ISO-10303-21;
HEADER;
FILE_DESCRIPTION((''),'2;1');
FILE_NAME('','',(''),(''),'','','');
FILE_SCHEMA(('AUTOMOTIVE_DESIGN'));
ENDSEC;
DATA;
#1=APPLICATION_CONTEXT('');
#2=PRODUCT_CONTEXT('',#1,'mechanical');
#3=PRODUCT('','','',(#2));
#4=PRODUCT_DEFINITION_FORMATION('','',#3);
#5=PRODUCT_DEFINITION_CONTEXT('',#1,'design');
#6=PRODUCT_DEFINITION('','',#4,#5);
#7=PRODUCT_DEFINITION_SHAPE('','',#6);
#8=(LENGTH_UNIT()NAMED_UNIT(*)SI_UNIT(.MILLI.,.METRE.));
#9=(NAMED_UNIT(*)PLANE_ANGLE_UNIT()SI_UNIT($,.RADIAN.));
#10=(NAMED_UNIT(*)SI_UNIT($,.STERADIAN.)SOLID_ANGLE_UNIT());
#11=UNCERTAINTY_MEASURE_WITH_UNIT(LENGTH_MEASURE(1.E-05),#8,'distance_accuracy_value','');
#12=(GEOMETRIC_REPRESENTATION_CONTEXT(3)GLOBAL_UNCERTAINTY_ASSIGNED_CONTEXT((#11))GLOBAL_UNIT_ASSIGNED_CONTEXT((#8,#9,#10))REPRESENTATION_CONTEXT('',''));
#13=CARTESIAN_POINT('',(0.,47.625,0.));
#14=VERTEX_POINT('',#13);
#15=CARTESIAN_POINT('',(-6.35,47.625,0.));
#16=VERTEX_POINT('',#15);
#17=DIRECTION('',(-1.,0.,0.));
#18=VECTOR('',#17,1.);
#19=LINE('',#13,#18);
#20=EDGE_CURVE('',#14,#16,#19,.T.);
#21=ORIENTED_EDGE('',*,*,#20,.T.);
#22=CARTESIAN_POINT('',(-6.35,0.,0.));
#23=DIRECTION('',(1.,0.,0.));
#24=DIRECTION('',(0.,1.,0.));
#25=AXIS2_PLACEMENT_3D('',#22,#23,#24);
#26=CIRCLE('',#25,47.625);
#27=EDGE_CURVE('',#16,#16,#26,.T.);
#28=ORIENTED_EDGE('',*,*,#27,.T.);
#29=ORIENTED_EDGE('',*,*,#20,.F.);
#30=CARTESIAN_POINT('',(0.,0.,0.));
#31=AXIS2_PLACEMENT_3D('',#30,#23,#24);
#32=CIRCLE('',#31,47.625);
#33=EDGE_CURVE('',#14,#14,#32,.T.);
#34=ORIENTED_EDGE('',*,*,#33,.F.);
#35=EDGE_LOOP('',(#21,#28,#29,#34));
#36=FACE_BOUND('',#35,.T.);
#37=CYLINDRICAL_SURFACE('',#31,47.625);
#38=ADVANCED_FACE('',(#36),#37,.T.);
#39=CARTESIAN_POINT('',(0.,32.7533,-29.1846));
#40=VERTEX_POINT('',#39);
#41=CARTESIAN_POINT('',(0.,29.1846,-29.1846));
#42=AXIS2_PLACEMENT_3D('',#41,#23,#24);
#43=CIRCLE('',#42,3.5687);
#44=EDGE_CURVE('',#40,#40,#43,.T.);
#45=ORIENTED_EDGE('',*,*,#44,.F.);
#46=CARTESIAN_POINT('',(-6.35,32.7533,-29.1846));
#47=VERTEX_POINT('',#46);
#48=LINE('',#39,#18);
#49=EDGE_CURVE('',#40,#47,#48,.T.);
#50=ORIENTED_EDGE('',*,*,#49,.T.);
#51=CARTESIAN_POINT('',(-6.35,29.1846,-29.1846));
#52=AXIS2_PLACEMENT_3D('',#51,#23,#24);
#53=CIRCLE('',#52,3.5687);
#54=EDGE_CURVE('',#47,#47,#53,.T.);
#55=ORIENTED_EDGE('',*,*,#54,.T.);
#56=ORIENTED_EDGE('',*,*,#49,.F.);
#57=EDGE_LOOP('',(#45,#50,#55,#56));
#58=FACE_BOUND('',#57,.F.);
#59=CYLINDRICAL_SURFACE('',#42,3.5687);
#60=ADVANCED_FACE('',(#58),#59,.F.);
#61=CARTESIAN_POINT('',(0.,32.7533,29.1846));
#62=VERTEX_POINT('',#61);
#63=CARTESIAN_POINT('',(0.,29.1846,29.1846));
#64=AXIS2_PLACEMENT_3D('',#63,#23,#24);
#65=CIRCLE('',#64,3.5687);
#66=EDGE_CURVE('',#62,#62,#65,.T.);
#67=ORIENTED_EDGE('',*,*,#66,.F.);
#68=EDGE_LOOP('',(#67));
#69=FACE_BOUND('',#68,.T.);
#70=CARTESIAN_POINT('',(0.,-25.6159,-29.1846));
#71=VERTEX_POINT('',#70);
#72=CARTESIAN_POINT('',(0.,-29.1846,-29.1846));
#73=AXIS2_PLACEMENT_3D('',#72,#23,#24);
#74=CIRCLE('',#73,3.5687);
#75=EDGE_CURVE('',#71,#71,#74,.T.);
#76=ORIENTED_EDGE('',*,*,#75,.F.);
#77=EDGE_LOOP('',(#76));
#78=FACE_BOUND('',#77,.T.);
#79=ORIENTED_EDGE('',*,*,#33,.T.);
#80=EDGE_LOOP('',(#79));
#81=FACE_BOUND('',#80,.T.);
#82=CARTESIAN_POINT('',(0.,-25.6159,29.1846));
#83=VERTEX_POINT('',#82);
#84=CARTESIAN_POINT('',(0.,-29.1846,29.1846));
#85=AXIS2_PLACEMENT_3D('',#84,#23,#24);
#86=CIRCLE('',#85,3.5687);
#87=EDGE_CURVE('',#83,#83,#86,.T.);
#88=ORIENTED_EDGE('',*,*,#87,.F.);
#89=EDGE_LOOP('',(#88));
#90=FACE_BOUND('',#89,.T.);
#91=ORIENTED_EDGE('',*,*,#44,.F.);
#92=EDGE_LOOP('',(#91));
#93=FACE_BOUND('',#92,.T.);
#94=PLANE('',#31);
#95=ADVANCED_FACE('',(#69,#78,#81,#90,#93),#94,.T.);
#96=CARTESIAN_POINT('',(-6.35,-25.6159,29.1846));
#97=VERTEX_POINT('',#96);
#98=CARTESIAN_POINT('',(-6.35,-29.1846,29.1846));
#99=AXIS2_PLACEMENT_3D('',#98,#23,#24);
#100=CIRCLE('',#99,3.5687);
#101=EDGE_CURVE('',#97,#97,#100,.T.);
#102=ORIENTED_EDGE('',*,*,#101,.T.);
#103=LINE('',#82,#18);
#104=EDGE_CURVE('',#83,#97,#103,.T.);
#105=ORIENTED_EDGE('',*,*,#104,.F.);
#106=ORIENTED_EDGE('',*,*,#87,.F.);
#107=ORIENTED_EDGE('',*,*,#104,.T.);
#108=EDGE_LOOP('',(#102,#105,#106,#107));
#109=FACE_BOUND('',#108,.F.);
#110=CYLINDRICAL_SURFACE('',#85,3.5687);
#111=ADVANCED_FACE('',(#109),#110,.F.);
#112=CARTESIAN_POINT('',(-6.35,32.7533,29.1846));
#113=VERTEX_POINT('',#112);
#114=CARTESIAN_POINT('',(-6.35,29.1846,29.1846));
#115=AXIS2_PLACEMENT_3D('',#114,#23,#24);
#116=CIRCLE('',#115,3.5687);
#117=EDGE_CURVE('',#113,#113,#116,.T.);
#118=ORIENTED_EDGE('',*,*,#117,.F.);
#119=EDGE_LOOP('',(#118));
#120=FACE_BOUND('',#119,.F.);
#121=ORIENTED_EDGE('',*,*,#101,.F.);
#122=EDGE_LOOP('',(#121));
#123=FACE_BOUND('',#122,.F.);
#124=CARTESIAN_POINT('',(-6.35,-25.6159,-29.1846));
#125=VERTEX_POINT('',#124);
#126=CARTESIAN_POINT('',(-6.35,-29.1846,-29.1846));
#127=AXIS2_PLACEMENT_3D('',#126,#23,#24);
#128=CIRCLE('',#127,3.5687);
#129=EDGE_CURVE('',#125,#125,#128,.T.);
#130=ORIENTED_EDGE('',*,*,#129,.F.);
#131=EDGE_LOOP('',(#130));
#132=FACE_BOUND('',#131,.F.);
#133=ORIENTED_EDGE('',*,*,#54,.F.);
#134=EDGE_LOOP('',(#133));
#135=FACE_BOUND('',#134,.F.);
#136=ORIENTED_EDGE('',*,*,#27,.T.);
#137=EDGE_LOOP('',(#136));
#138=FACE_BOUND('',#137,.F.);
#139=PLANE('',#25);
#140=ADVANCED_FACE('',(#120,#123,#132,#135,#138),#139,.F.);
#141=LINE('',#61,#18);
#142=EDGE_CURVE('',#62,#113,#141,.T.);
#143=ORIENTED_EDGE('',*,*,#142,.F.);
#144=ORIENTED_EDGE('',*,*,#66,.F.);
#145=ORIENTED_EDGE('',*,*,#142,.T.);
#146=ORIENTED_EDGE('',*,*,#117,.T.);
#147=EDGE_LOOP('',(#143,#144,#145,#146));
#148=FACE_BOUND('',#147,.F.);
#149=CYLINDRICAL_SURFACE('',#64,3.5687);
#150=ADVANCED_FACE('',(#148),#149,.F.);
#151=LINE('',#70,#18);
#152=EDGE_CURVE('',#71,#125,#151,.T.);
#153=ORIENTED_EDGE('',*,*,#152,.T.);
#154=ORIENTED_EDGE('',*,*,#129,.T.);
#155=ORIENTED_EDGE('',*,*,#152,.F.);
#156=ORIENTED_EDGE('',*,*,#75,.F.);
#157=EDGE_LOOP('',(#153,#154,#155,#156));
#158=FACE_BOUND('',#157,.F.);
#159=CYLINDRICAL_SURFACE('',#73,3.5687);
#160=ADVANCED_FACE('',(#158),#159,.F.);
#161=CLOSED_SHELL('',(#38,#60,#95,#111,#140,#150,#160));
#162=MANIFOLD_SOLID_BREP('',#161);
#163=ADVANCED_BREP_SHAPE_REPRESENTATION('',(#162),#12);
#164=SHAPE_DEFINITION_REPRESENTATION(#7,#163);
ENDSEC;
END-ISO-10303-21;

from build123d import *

# Parameters (mm, degrees)
F0_R     = 47.625
F0_R_2   = 3.5687
F1_DEPTH = 6.35


with BuildPart() as f1:
    # F0 (on Right) → F1 (new body)
    with BuildSketch(Plane.YZ):
        Circle(F0_R)
        with Locations((-29.1846, -29.1846)):
            Circle(F0_R_2, mode=Mode.SUBTRACT)
        with Locations((29.1846, -29.1846)):
            Circle(F0_R_2, mode=Mode.SUBTRACT)
        with Locations((-29.1846, 29.1846)):
            Circle(F0_R_2, mode=Mode.SUBTRACT)
        with Locations((29.1846, 29.1846)):
            Circle(F0_R_2, mode=Mode.SUBTRACT)
    extrude(amount=-F1_DEPTH)


solid = f1.part
